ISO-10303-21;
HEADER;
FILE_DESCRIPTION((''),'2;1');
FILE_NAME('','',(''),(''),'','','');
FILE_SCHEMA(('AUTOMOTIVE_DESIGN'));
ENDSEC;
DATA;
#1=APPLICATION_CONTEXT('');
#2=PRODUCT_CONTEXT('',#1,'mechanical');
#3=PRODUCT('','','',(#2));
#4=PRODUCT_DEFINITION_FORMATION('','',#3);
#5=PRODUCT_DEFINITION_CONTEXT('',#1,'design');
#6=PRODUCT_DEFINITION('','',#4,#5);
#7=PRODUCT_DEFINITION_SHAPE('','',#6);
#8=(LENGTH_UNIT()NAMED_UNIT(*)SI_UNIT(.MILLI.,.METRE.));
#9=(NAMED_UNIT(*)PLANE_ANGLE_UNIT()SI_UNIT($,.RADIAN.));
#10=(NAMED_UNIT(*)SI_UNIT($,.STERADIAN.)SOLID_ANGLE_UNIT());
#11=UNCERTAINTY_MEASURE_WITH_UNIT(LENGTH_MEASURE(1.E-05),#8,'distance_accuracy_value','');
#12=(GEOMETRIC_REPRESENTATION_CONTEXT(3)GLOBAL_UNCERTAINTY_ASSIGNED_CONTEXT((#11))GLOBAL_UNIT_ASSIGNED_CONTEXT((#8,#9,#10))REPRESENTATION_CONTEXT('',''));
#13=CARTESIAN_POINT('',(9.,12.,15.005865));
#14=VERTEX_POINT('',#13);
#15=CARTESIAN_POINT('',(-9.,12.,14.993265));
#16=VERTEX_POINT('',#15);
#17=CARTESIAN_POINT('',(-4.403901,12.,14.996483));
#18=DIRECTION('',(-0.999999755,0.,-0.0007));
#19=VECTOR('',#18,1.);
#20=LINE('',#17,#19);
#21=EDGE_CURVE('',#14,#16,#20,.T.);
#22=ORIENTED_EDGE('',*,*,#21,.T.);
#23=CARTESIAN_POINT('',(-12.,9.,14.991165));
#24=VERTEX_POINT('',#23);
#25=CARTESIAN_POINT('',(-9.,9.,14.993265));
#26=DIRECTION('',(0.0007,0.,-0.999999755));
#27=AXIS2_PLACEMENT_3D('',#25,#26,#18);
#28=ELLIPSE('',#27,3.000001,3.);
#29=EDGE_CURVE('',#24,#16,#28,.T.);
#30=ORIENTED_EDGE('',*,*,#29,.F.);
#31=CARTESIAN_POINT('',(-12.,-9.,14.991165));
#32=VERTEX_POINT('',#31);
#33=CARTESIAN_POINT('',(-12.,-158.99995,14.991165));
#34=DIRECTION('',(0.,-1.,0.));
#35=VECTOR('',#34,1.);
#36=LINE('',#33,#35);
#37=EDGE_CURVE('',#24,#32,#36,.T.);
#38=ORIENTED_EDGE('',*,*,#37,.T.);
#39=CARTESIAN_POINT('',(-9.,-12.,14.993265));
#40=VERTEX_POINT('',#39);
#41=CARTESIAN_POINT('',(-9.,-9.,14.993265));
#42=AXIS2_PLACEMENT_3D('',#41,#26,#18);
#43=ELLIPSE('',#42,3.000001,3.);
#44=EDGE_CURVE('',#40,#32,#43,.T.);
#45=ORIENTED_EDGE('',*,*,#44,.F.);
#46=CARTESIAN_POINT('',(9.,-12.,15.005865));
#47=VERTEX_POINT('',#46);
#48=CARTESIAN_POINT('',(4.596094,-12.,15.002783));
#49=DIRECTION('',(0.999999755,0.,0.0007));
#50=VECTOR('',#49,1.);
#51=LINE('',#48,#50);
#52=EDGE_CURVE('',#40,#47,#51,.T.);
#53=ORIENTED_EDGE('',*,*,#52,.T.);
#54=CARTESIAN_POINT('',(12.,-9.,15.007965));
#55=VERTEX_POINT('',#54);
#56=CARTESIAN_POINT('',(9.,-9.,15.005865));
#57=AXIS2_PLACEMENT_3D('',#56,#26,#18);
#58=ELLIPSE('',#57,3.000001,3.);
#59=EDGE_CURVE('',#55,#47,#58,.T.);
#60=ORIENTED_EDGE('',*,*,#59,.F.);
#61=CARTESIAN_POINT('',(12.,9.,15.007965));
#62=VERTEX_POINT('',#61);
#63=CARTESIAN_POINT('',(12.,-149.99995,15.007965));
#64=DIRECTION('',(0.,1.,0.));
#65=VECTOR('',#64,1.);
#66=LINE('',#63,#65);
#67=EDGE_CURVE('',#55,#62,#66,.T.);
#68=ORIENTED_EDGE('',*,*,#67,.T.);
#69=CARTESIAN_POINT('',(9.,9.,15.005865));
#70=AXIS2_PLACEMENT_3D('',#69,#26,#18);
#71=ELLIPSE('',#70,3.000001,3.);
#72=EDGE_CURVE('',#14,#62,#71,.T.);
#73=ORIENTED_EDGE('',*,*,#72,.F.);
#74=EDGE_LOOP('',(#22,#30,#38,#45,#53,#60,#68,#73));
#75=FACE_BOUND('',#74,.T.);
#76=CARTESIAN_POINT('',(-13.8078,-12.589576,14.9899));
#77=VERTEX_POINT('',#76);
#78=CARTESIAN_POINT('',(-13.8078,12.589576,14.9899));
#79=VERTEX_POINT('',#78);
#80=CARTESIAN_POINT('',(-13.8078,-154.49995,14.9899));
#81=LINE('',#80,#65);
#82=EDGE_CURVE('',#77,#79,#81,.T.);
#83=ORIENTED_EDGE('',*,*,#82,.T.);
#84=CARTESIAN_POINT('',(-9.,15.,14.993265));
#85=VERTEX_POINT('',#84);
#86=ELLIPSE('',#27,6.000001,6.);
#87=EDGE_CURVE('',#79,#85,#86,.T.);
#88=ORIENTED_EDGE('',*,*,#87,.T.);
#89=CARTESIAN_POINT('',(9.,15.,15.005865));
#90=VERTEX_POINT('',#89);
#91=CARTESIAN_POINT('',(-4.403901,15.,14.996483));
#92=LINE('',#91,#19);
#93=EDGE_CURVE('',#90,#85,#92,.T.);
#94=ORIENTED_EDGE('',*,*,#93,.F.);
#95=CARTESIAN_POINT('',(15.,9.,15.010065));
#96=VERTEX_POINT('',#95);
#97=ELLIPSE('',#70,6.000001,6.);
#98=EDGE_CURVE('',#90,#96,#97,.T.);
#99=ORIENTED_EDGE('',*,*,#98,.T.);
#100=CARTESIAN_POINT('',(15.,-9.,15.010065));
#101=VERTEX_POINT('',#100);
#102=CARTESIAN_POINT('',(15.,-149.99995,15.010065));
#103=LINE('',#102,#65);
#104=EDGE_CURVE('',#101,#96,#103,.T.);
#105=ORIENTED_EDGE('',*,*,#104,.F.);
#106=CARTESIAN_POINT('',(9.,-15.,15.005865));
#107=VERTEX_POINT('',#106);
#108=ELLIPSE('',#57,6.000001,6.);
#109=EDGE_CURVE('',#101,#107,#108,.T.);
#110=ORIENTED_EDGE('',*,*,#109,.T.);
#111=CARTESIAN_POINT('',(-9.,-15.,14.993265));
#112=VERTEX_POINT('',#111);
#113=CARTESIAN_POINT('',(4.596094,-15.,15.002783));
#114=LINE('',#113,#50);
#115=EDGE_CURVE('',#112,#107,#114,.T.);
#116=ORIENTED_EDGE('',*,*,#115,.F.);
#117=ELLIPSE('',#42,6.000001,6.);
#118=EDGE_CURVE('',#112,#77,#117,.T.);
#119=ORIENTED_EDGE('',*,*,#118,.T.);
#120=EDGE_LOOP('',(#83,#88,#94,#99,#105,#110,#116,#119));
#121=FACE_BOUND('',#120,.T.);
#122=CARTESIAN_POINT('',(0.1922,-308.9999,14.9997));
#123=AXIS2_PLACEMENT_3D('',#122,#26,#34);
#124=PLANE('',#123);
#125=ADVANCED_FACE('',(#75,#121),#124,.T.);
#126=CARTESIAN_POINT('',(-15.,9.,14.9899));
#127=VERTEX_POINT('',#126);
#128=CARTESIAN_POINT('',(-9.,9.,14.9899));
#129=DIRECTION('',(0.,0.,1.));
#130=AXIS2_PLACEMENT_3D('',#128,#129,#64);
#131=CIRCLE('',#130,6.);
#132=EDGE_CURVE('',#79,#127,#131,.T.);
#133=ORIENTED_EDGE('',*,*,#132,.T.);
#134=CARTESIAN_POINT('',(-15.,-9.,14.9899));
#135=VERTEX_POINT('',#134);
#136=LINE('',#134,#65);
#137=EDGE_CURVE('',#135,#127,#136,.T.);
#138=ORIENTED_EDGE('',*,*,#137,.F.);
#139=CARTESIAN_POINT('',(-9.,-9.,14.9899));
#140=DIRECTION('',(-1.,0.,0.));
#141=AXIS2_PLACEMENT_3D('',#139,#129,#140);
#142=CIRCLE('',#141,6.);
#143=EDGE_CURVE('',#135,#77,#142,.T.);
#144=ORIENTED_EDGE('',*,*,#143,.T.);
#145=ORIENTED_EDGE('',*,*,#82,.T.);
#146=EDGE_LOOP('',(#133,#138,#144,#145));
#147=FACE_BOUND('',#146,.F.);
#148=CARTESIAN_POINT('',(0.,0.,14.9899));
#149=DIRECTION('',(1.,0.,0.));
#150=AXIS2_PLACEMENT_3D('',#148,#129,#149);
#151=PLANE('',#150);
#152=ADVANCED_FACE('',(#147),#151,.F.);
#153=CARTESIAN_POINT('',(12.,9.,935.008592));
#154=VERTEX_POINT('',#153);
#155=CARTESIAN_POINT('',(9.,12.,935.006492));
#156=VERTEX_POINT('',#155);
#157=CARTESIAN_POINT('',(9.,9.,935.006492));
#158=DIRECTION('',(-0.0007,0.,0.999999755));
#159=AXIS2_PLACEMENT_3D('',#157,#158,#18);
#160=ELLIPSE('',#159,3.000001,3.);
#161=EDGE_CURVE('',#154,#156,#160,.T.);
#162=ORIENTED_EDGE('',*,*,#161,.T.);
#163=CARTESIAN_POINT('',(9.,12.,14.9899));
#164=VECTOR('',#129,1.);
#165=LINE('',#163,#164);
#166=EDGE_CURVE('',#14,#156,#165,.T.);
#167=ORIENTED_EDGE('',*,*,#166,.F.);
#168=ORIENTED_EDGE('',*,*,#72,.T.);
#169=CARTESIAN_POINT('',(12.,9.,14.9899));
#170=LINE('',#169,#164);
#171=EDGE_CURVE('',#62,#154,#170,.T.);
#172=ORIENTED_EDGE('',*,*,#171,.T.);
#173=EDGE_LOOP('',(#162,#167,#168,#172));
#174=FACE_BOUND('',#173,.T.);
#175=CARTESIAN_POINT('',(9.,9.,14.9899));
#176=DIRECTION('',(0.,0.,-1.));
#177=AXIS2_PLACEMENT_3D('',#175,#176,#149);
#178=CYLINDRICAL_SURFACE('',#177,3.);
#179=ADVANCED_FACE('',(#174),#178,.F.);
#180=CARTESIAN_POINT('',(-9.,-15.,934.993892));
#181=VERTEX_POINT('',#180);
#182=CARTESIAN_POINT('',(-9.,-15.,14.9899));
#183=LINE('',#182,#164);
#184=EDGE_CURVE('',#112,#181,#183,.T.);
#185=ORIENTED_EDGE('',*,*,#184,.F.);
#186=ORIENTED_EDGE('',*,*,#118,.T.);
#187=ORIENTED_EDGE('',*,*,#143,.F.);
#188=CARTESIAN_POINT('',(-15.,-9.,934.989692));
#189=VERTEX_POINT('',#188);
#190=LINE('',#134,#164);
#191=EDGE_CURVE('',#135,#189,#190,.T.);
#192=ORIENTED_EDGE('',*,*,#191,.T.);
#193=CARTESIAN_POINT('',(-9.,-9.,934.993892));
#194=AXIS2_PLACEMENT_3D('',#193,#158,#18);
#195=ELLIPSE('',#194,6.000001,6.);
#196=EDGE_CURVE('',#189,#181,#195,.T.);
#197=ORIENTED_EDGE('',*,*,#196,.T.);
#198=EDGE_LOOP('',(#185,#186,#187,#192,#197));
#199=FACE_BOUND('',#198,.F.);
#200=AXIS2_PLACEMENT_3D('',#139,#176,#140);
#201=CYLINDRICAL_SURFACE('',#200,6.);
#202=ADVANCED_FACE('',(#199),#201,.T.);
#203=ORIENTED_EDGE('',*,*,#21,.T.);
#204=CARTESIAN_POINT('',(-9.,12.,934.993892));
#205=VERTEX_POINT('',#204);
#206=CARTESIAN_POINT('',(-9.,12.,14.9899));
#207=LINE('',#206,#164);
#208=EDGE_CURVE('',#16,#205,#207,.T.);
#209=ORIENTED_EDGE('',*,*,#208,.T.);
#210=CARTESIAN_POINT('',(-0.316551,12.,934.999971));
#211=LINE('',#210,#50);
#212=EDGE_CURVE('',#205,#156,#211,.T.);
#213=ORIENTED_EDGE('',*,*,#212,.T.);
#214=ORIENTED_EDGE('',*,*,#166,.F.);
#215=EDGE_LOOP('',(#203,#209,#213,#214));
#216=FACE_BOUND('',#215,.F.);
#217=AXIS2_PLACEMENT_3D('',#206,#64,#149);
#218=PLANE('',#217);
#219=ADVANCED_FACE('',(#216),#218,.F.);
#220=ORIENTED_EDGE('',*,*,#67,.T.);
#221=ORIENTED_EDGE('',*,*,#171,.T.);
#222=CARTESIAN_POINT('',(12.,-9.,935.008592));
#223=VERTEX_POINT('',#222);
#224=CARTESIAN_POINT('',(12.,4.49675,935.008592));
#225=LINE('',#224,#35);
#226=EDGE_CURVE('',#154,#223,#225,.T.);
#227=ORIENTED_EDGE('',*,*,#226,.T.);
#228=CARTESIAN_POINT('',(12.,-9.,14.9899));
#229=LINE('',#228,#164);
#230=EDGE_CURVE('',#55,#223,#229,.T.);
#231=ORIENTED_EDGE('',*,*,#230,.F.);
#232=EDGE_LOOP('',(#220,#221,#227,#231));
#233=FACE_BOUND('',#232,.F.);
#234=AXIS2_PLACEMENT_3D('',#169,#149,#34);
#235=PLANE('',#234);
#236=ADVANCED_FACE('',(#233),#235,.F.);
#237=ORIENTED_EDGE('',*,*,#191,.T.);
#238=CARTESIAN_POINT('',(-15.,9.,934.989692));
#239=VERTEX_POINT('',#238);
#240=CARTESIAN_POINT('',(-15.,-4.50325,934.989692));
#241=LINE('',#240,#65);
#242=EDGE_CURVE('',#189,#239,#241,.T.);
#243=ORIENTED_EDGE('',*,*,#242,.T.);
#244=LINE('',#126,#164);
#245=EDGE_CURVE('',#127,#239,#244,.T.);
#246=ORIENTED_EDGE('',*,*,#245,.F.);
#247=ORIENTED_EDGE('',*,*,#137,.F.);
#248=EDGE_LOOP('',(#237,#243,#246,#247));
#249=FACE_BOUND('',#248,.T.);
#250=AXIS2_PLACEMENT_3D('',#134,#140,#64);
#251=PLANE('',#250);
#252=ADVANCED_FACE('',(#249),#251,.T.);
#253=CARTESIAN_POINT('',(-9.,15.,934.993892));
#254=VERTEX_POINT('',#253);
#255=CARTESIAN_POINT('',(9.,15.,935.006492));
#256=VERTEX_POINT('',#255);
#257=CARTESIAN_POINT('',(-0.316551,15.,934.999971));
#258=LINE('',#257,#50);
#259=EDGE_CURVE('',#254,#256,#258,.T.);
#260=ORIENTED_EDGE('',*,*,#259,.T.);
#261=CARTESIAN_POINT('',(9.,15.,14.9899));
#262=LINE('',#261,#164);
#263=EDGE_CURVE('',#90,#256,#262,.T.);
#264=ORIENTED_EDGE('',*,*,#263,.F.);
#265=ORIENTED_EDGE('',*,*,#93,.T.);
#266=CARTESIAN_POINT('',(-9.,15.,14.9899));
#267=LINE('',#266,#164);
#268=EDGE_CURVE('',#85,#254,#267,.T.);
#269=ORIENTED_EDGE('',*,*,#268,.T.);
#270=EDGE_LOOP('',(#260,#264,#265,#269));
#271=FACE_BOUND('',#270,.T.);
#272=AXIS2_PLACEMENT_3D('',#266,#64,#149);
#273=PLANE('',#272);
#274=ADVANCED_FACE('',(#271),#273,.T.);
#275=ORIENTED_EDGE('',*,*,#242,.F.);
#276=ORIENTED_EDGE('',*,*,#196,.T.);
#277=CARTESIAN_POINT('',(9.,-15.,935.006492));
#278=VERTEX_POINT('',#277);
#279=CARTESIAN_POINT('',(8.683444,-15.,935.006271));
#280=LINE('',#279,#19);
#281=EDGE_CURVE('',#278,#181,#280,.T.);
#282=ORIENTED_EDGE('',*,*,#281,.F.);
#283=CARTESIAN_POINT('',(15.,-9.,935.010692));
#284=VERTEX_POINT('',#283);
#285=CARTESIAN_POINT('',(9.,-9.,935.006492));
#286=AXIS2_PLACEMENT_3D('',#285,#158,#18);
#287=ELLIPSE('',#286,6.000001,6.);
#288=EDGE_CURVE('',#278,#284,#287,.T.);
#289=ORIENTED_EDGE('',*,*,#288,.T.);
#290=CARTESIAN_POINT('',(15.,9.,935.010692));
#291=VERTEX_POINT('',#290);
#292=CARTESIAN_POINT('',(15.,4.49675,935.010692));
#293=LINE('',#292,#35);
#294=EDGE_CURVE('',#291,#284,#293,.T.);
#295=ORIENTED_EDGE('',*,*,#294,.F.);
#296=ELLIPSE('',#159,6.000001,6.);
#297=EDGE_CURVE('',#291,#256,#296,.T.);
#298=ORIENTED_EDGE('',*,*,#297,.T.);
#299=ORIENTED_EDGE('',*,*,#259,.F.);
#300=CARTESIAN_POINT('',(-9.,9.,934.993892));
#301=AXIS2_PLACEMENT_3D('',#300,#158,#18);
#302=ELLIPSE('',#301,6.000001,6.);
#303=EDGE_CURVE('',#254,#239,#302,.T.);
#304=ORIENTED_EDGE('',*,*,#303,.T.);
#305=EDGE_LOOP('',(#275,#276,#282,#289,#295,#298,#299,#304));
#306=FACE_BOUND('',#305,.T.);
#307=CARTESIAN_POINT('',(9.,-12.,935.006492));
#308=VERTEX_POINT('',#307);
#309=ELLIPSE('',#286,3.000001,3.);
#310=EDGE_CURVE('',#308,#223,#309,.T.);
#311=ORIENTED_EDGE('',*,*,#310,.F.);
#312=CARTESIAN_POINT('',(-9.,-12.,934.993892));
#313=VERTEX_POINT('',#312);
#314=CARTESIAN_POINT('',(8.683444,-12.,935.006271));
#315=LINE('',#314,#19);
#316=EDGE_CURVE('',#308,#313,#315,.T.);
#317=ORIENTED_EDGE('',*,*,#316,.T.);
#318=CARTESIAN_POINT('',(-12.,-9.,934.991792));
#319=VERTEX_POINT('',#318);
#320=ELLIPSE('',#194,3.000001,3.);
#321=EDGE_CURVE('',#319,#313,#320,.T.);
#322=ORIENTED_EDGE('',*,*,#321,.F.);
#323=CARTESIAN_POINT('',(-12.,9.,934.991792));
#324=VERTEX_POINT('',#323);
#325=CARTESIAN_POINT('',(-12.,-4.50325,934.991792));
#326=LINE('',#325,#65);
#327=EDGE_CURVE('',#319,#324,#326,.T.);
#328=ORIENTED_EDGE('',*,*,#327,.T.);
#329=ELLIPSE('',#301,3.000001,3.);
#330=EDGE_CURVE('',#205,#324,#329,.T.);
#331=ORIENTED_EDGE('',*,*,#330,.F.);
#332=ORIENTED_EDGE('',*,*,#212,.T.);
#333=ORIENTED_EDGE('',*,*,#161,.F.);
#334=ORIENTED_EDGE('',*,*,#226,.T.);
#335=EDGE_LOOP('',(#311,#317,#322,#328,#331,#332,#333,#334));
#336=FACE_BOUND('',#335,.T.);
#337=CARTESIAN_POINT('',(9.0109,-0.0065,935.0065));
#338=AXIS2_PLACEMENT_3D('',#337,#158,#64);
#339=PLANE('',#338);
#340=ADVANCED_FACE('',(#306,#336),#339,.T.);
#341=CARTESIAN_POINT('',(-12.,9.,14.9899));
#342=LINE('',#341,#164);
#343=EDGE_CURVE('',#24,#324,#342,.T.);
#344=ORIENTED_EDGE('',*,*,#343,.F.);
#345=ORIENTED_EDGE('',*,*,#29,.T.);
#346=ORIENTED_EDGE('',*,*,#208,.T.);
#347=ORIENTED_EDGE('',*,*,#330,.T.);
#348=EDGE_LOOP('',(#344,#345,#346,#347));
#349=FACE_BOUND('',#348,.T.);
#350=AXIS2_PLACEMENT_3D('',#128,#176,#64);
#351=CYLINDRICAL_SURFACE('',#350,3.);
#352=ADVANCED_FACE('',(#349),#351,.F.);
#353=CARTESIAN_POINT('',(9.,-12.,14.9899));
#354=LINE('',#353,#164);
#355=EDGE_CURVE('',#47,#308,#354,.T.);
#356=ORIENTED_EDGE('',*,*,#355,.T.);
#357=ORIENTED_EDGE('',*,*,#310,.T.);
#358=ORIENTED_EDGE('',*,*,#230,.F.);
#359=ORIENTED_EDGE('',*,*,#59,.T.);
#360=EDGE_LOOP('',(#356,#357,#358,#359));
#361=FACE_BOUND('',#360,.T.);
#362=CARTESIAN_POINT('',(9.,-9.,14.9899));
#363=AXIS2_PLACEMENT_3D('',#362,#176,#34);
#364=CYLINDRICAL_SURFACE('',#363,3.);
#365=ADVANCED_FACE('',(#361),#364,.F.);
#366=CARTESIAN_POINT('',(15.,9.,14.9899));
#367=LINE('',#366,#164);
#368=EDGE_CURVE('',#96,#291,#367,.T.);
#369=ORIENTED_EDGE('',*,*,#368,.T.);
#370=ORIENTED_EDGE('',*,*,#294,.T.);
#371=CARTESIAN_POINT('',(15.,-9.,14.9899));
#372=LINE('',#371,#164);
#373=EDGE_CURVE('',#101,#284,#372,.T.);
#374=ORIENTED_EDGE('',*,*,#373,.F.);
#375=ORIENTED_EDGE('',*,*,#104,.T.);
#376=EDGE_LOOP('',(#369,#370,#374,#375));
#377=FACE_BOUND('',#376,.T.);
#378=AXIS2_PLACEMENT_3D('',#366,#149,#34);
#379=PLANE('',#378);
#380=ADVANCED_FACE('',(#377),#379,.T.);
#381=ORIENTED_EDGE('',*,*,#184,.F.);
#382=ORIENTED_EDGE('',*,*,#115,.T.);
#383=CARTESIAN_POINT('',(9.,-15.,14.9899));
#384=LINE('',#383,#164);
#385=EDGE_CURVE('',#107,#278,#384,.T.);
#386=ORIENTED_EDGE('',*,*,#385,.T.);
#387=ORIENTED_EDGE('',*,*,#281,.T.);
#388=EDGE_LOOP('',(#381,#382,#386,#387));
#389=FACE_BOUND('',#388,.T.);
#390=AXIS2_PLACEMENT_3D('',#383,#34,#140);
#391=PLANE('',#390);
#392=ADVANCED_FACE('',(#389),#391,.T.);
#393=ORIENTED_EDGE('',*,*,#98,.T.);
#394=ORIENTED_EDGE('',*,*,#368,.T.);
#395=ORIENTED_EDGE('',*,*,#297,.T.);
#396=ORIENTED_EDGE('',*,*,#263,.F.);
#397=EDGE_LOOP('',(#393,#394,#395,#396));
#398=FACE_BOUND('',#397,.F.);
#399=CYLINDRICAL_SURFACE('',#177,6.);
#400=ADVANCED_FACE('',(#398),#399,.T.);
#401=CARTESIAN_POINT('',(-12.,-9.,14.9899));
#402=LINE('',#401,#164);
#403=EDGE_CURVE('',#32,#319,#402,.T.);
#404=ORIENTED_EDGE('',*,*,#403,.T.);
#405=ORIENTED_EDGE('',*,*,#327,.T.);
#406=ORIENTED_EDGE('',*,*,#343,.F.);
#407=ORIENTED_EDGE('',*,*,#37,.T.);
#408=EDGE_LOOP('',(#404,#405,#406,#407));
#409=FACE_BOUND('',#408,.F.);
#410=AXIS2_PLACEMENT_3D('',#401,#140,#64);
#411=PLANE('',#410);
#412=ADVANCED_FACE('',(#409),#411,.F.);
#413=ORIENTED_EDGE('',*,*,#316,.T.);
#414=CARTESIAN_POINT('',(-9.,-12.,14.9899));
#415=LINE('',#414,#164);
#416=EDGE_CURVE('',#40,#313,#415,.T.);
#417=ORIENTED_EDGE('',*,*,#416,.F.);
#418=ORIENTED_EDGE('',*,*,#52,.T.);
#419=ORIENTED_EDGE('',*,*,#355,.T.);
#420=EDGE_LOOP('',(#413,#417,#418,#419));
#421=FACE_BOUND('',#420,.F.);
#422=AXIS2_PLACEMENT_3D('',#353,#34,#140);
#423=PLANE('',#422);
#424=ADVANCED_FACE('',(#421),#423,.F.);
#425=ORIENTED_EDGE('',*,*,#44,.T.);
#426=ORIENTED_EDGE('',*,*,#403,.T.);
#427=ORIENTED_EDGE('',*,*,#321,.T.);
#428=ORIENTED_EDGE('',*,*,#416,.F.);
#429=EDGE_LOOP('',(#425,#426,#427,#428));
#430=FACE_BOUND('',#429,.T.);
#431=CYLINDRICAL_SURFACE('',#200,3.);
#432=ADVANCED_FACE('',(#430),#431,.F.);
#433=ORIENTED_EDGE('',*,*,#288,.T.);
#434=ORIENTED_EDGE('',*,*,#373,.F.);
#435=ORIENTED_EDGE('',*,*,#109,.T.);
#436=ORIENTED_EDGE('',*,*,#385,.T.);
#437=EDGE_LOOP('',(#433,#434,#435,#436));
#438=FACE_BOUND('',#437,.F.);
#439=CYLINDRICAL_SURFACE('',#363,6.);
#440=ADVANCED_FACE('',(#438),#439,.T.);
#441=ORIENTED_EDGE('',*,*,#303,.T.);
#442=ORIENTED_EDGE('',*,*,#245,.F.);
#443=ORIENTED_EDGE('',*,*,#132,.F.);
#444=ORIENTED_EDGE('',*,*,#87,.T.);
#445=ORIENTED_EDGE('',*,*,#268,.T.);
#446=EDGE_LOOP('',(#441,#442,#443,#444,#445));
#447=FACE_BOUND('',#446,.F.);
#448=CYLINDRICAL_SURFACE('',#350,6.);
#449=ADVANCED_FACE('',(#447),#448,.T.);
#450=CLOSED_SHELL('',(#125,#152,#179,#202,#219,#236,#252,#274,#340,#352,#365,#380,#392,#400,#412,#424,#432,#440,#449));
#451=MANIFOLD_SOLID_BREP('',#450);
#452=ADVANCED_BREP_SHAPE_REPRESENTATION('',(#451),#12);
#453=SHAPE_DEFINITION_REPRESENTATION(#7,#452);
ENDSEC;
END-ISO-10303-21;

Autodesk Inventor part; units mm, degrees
ref_plane "Start Plane" through (0, 0, 14.9899) normal (0, 0, 1) x (1, 0, 0)
ref_plane "End Plane" through (0, 0, 935.0109) normal (0, 0, 1) x (1, 0, 0)
sketch "Sketch" plane through (0, 0, 0) normal (0, 0, 1) x (1, 0, 0)
  line L0 (-15, -9) -> (-15, 9)
  line L1 (-9, 15) -> (9, 15)
  line L2 (15, 9) -> (15, -9)
  line L3 (9, -15) -> (-9, -15)
  arc A0 (-15, -9) -> (-9, -15) centre (-9, -9) ccw
  arc A1 (-9, 15) -> (-15, 9) centre (-9, 9) ccw
  arc A2 (15, 9) -> (9, 15) centre (9, 9) ccw
  arc A3 (9, -15) -> (15, -9) centre (9, -9) ccw
  arc A4 (-9, 12) -> (-12, 9) centre (-9, 9) ccw
  line L4 (-9, 12) -> (9, 12)
  arc A5 (12, 9) -> (9, 12) centre (9, 9) ccw
  line L5 (12, 9) -> (12, -9)
  arc A6 (9, -12) -> (12, -9) centre (9, -9) ccw
  line L6 (9, -12) -> (-9, -12)
  arc A7 (-12, -9) -> (-9, -12) centre (-9, -9) ccw
  line L7 (-12, -9) -> (-12, 9)
  line L8 (0, 22.7397) -> (0, -22.7397) construction
  line L9 (-22.7397, 0) -> (22.7397, 0) construction
  dimension "d7" = 6
  dimension "d10" = 30
  dimension "d11" = 30
  dimension "d12" = 3
  dimension "d15" = 15
  dimension "d16" = 15
extrude "Body" add sketch "Sketch" along normal up to surface (920.0209 mm away) from surface at 14.9899
sketch "Sketch3" plane through (0, 0, 0) normal (0, 0, 1) x (1, 0, 0)
  line L0 (0, 0) -> (10, 0)
ref_plane "Work Plane3" through (0, 0, 0) normal (0, -1, 0) x (1, 0, 0)
ref_plane "Work Plane4" through (9.0109, -0.0065, 935.0065) normal (-0.0007, 0, 1) x (1, 0, 0.0007)
split "Split1" plane through (9.0109, -0.0065, 935.0065) removes the side toward (-0.0007, 0, 1)
ref_plane "Work Plane5" through (0.1922, -308.9999, 14.9997) normal (0.0007, 0, -1) x (-1, 0, -0.0007)
split "Split2" plane through (0.1922, -308.9999, 14.9997) removes the side toward (0.0007, 0, -1)
sketch "Sketch4" plane through (0, 0, 0) normal (0, -1, 0) x (1, 0, 0)
  line L0 (-2, 14.9899) -> (12, 14.9899) projected
  line L1 (-2, 935.0109) -> (12, 935.0109) projected
  dimension "d18" = 920.0209
equation "\"d7\" = G_IR"
equation "\"d10\" = G_H"
equation "\"d11\" = G_W"
equation "\"d12\" = G_T"
equation "\"d15\" = 0.5 * d10"
equation "\"d16\" = 0.5 * d11"
equation "\"d3\" = G_L"
equation "\"G_W\" = 30"
equation "\"G_H\" = 30"
equation "\"G_T\" = 3"
equation "\"G_IR\" = 6"
equation "\"G_L\" = d18"
equation "\"G_OFFSET_START\" = -14.98994"
equation "\"G_OFFSET_END\" = -14.9891"
equation "\"d13\" = -G_OFFSET_START"
equation "\"d14\" = G_OFFSET_END + B_L"
equation "\"B_L\" = 949.99996"
properties part number "DIN EN 10219-2 - 30 x 30 x 3  - 920.02" material "Steel, Mild"
